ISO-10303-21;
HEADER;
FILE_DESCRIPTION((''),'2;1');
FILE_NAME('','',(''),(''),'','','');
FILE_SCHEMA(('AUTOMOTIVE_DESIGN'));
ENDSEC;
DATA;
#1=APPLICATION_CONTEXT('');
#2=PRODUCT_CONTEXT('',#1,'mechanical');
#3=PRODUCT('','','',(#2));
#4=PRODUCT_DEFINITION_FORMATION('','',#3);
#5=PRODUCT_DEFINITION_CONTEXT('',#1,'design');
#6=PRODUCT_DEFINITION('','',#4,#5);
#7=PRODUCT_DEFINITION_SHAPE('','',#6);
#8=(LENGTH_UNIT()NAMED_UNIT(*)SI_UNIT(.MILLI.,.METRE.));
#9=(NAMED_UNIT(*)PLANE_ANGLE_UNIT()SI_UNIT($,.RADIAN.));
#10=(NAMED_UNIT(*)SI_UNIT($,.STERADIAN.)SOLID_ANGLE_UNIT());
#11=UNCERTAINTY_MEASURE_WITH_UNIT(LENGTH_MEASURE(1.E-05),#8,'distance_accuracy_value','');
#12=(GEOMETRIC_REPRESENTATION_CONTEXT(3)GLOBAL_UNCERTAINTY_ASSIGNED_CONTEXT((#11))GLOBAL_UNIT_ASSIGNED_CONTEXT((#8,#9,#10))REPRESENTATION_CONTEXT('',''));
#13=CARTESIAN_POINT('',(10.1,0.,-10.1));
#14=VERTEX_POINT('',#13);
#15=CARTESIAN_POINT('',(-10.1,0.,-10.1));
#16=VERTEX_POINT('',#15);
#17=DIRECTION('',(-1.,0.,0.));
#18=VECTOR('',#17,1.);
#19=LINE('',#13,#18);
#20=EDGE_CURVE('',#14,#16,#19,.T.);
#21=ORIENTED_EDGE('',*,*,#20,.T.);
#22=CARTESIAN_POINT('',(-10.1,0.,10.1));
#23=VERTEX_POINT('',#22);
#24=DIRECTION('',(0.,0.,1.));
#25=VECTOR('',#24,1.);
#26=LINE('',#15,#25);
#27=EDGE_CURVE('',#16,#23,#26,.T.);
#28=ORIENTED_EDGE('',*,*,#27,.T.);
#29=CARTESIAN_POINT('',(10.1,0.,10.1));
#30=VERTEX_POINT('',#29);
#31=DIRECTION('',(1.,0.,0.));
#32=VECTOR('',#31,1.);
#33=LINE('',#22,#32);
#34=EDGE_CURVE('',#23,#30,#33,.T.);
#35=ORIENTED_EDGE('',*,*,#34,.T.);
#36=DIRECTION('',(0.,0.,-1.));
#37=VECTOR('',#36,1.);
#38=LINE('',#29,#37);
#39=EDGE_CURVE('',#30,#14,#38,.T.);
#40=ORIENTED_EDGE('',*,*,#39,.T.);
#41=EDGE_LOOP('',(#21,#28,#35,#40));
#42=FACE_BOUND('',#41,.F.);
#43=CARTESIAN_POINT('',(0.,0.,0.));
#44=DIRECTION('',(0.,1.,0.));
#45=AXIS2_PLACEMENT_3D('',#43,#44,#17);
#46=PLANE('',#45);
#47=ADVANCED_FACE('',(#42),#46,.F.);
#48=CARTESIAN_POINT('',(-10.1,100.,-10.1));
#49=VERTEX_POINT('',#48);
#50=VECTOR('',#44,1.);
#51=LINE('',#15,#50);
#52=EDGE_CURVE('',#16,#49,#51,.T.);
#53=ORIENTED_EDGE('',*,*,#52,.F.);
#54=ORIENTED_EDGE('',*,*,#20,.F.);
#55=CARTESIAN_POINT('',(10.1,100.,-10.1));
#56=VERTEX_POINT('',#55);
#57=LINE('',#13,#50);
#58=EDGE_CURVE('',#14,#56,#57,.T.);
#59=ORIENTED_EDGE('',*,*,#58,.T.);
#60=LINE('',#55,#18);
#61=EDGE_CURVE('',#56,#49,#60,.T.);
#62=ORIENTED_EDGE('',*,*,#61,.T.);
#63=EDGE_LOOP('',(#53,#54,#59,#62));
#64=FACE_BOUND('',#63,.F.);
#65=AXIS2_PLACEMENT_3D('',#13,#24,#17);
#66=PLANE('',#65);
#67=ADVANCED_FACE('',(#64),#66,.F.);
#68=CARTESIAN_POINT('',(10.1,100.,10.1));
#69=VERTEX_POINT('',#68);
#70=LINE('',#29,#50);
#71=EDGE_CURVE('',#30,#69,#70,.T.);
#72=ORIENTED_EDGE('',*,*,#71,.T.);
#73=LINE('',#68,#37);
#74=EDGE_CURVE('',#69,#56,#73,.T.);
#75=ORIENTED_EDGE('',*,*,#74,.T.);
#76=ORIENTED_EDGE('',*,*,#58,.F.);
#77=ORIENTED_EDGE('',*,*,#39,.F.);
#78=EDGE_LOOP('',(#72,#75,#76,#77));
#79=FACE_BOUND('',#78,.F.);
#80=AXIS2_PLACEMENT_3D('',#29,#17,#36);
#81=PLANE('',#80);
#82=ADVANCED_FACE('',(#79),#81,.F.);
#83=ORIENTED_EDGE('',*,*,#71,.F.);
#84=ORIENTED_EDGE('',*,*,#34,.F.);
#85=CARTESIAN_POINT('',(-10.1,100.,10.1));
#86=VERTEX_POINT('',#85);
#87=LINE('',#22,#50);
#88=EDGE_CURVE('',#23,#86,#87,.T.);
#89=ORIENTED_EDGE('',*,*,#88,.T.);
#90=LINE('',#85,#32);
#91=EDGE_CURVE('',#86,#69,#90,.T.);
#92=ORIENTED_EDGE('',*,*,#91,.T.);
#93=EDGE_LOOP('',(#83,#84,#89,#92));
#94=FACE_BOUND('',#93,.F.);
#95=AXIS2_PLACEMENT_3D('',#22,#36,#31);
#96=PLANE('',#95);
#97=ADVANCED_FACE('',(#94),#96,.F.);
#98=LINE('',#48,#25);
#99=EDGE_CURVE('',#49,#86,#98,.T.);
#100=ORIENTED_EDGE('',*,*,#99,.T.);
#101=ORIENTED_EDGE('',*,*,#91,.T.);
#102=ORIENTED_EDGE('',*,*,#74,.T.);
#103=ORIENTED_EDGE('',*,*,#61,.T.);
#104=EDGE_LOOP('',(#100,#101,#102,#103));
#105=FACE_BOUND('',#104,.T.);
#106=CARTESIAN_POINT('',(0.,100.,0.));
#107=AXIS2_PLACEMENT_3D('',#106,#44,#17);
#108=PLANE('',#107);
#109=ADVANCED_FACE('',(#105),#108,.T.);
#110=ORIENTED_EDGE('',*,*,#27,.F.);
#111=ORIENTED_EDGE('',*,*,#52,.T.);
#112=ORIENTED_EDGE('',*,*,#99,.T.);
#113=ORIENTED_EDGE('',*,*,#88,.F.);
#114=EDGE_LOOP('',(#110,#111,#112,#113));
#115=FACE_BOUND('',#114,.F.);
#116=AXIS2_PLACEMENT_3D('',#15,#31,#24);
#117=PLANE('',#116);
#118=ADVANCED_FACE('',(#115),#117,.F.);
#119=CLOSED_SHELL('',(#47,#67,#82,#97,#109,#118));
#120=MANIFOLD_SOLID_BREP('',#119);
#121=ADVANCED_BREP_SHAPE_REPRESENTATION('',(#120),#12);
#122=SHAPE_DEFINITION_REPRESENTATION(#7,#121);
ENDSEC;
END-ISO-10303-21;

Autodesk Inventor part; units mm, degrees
ref_plane "YZ Plane" through (0, 0, 0) normal (1, 0, 0) x (0, 1, 0)
ref_plane "XZ Plane" through (0, 0, 0) normal (0, 1, 0) x (-1, 0, 0)
ref_plane "XY Plane" through (0, 0, 0) normal (0, 0, 1) x (1, 0, 0)
sketch "Sketch1" plane through (0, 0, 0) normal (0, 1, 0) x (-1, 0, 0)
  line L0 (10.1, 10.1) -> (-10.1, 10.1)
  line L1 (-10.1, 10.1) -> (-10.1, -10.1)
  line L2 (-10.1, -10.1) -> (10.1, -10.1)
  line L3 (10.1, -10.1) -> (10.1, 10.1)
  line L4 (10.1, 10.1) -> (-10.1, -10.1) construction
  line L5 (-10.1, 10.1) -> (10.1, -10.1) construction
  point P0 (0, 0)
  dimension "d0" = 20.2
  dimension "d1" = 20.2
extrude "Extrusion1" add sketch "Sketch1" along normal blind 100
properties part number "Aluminium_extrusion"
